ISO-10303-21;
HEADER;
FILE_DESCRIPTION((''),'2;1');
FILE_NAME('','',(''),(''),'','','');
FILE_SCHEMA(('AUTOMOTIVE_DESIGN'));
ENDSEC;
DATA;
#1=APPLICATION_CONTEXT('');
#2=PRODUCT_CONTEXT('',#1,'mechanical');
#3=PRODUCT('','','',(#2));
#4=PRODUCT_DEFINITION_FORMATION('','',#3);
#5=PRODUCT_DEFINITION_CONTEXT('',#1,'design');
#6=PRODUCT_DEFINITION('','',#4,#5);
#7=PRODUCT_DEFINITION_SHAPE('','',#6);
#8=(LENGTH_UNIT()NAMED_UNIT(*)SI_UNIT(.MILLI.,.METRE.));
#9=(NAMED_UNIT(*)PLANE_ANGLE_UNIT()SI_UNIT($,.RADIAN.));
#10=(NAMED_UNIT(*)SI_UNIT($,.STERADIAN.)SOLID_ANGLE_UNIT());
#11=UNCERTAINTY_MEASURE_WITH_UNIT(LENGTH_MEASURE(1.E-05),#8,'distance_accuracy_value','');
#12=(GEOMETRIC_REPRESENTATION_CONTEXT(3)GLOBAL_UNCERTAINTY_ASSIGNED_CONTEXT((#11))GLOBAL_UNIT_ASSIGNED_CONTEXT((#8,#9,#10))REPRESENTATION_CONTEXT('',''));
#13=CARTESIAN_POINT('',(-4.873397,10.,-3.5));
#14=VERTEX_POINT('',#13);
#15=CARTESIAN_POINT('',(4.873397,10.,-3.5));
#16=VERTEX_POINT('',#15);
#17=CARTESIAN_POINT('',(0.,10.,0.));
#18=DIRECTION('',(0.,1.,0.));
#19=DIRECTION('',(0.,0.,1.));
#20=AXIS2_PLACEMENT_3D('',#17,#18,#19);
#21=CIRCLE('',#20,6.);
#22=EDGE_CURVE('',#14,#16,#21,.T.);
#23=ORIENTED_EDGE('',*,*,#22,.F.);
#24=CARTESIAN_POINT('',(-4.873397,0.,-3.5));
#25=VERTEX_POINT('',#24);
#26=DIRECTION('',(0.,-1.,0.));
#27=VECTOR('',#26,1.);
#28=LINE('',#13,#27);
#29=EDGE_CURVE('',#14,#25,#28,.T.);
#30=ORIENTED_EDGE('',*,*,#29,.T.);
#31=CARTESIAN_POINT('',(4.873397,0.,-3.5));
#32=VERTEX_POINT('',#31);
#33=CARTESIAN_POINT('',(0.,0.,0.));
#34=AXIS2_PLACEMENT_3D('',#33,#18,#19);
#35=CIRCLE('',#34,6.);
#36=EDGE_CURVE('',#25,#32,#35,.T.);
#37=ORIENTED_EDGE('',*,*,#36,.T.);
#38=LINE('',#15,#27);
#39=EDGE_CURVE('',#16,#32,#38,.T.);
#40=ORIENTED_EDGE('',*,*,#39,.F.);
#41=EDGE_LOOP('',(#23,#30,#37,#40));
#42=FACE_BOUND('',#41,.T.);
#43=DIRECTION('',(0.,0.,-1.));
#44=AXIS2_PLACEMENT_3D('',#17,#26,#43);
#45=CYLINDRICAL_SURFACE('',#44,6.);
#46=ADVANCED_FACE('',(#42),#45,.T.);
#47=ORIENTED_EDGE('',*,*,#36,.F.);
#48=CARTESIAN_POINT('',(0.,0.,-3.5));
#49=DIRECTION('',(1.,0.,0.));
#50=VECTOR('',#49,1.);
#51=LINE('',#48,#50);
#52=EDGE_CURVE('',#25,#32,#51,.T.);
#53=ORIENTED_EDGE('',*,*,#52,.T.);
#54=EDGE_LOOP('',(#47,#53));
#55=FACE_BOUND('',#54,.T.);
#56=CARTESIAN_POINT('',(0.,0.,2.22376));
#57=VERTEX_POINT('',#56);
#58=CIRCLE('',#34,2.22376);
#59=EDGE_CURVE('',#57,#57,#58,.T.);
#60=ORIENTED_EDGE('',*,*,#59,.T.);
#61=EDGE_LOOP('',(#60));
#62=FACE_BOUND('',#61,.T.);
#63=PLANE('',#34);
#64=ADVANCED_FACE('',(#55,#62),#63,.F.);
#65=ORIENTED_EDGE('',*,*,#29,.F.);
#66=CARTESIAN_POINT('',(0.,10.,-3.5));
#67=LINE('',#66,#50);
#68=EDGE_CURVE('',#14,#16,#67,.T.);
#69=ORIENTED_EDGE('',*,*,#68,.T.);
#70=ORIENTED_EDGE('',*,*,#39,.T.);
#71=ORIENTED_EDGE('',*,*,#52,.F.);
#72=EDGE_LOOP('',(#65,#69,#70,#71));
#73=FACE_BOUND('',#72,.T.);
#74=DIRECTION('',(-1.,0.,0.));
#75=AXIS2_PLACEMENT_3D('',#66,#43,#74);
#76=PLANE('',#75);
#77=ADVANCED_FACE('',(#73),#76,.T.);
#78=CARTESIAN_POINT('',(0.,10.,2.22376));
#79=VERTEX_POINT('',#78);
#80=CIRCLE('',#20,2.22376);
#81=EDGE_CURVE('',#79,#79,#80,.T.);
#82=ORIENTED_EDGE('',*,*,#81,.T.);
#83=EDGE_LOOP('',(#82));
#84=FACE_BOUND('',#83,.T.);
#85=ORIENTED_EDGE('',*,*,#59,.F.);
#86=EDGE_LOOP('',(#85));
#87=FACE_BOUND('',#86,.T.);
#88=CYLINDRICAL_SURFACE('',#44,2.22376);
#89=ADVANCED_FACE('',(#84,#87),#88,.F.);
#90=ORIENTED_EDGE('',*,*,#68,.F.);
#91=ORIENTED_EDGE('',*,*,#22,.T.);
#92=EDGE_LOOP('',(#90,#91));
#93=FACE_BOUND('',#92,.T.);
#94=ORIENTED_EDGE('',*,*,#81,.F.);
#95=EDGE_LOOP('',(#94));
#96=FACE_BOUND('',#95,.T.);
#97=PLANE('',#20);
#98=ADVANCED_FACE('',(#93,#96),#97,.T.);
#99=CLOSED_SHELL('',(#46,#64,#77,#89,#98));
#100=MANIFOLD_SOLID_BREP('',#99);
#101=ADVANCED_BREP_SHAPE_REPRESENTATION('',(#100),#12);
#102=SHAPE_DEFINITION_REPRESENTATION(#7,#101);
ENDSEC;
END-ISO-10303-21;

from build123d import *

# Parameters (mm, degrees)
SKETCH1_R           = 2.223760431
BOSS_EXTRUDE1_DEPTH = 10


with BuildPart() as part:
    # Sketch1 → Boss-Extrude1 (new body)
    with BuildSketch(Plane(origin=(0, 0, 0), x_dir=(1, 0, 0), z_dir=(0, 1, 0))):
        with BuildLine():
            Line((4.873397172, 3.5), (-4.873397172, 3.5))
            ThreePointArc((-4.873397172, 3.5), (-1.838425545, -5.711408891), (6, 0))
            ThreePointArc((6, 0), (5.711408891, 1.838425545), (4.873397172, 3.5))
        make_face()
        Circle(SKETCH1_R, mode=Mode.SUBTRACT)
    extrude(amount=BOSS_EXTRUDE1_DEPTH)


solid = part.part
